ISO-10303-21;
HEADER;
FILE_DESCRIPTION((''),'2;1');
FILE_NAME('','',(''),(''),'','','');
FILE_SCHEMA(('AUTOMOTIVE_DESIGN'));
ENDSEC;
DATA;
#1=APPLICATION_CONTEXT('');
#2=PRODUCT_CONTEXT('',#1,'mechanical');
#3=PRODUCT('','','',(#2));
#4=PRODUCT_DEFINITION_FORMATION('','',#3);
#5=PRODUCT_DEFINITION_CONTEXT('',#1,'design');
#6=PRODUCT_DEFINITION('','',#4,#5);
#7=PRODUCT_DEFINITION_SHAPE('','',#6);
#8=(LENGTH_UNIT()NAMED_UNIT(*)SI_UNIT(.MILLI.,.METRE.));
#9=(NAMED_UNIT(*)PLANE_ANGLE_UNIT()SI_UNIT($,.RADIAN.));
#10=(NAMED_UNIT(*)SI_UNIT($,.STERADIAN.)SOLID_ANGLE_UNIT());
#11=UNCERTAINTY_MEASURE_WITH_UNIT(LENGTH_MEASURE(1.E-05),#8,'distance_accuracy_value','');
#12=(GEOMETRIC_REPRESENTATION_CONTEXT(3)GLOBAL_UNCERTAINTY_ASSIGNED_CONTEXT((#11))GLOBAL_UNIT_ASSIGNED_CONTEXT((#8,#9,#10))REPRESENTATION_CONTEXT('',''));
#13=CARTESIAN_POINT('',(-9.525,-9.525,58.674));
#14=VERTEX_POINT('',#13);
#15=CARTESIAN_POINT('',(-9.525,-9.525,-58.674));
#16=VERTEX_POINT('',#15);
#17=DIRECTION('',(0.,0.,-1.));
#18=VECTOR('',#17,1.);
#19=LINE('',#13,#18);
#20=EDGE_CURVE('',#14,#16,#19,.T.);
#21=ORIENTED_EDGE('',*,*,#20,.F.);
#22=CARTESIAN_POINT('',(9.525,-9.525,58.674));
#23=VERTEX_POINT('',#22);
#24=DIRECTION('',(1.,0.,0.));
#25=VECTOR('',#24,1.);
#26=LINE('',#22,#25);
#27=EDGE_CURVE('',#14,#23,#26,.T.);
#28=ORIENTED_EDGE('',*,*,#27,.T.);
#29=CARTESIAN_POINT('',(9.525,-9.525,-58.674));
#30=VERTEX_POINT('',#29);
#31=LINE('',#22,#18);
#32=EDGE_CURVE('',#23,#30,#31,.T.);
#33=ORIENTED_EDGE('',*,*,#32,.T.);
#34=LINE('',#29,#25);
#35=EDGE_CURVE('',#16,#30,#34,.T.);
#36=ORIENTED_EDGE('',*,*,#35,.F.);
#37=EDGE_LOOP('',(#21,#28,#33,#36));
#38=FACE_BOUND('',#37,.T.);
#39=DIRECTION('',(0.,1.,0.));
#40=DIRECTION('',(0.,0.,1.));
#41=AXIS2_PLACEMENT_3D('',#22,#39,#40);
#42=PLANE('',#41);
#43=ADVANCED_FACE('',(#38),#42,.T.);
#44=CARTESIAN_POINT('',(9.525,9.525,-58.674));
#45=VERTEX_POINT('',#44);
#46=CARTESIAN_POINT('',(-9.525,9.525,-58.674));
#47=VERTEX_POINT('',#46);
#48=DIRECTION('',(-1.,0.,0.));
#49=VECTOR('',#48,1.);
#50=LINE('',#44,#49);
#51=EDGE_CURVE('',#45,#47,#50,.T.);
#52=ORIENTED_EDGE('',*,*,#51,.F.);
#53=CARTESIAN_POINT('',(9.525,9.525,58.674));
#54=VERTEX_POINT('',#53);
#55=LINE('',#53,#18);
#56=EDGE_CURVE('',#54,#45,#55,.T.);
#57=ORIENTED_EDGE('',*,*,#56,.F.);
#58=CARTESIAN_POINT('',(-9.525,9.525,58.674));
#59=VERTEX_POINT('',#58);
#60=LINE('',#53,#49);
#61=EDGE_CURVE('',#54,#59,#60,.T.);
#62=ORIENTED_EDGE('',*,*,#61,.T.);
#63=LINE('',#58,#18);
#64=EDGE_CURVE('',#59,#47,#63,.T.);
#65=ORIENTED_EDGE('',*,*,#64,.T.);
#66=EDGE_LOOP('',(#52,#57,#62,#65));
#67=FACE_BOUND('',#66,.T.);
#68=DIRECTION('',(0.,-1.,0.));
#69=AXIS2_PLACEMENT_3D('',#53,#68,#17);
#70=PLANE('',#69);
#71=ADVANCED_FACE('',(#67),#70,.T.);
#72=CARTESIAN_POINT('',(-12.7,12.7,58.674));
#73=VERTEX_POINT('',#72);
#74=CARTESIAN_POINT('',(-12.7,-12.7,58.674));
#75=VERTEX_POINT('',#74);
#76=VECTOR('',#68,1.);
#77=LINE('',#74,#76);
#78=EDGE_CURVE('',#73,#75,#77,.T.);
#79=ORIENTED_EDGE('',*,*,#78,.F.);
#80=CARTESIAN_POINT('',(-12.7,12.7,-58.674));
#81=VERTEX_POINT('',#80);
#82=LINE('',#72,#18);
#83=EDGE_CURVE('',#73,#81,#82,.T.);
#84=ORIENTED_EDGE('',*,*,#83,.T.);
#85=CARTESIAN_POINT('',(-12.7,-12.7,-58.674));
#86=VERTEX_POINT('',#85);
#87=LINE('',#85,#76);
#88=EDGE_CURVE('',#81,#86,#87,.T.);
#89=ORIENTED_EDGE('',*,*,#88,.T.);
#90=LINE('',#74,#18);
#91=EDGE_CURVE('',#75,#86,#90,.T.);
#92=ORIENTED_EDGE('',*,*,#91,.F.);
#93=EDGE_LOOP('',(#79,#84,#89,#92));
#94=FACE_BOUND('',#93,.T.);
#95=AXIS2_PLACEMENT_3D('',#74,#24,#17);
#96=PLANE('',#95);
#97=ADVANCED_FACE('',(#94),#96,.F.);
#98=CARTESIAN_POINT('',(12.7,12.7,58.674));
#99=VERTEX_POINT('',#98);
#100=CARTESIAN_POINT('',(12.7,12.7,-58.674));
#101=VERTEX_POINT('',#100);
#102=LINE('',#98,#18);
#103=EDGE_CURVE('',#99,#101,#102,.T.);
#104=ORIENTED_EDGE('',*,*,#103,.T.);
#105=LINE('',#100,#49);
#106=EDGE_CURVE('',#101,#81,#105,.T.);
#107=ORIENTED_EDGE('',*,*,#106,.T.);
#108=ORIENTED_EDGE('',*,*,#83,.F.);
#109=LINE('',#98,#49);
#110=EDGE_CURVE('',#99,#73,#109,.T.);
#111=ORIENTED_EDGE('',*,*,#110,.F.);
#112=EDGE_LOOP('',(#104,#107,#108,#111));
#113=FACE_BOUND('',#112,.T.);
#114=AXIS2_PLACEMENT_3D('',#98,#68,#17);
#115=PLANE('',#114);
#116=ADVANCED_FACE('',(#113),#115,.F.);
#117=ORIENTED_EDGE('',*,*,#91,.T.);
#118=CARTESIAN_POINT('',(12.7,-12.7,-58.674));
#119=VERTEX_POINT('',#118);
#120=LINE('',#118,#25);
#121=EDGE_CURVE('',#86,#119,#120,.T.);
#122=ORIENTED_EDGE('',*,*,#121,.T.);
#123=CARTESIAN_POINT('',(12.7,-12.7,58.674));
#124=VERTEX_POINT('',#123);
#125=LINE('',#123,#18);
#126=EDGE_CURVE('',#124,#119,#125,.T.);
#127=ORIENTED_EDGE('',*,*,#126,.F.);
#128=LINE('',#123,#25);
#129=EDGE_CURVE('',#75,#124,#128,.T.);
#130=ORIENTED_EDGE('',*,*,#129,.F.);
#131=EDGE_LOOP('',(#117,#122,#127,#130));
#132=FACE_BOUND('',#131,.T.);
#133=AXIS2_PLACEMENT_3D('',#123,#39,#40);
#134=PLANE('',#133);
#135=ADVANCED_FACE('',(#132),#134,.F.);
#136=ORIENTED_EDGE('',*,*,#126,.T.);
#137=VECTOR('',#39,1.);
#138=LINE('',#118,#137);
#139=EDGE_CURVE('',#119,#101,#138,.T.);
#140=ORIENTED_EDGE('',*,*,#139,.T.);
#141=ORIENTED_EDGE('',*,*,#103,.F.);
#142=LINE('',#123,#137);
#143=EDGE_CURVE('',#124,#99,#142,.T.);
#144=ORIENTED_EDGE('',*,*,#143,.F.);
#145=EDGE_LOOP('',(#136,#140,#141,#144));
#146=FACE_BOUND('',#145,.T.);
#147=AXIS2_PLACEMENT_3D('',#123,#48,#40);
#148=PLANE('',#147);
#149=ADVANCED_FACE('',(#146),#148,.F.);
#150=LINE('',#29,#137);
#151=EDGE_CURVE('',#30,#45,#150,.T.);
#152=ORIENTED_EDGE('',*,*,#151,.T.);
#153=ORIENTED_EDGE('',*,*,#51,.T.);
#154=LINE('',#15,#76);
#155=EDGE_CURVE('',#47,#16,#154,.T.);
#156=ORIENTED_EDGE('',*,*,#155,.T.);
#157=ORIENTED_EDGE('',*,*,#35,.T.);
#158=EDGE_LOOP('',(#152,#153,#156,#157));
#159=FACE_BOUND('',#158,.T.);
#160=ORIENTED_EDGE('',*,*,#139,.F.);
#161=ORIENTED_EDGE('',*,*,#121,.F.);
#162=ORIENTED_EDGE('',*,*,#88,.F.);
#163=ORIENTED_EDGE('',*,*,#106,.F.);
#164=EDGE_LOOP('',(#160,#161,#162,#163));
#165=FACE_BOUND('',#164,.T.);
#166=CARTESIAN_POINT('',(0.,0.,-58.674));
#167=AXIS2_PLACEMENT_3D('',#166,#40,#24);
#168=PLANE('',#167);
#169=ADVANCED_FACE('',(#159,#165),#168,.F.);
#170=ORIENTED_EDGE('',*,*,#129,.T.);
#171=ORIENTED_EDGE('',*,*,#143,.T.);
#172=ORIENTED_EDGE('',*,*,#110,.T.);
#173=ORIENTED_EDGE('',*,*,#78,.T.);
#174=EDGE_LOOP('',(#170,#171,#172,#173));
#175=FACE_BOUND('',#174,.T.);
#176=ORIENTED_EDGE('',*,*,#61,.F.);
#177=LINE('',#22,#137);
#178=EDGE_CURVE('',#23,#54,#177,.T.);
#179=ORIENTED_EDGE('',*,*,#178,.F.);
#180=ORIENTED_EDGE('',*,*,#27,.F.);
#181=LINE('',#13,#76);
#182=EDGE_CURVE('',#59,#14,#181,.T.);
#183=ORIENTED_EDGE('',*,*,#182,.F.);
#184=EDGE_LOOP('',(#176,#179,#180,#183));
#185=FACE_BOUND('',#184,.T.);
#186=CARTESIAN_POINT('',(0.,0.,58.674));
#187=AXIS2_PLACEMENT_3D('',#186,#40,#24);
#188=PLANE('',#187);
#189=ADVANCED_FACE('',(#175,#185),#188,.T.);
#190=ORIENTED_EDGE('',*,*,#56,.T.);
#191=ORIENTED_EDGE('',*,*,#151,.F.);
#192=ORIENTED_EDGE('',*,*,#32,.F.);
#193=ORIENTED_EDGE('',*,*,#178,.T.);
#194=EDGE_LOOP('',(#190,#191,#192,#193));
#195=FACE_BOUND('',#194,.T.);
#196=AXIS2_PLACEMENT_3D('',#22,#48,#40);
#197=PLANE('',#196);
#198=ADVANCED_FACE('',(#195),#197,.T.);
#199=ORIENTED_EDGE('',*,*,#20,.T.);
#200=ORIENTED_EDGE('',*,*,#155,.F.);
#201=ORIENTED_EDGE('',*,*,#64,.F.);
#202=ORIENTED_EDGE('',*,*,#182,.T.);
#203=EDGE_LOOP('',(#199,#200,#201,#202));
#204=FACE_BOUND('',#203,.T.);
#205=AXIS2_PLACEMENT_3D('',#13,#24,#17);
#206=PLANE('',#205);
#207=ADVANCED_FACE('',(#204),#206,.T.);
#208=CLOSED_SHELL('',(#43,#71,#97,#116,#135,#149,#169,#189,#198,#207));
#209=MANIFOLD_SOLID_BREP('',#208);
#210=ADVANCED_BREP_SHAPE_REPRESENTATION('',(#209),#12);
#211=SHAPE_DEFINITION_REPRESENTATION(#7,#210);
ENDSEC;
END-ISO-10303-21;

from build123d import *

# Parameters (mm, degrees)
BOSS_EXTRUDE1_DEPTH      = 58.674
BOSS_EXTRUDE1_DEPTH_BACK = 58.674
SKETCH3_W                = 25.4
SKETCH3_H                = 25.4
SKETCH3_W_2              = 19.05
SKETCH3_H_2              = 19.05


with BuildPart() as part:
    # Sketch3 → Boss-Extrude1 (new, two sides: drawn at the far end of the back side and taken through both)
    with BuildSketch(Plane.XY.offset(-BOSS_EXTRUDE1_DEPTH_BACK)):
        Rectangle(SKETCH3_W, SKETCH3_H)
        Rectangle(SKETCH3_W_2, SKETCH3_H_2, mode=Mode.SUBTRACT)
    extrude(amount=BOSS_EXTRUDE1_DEPTH + BOSS_EXTRUDE1_DEPTH_BACK)


solid = part.part
